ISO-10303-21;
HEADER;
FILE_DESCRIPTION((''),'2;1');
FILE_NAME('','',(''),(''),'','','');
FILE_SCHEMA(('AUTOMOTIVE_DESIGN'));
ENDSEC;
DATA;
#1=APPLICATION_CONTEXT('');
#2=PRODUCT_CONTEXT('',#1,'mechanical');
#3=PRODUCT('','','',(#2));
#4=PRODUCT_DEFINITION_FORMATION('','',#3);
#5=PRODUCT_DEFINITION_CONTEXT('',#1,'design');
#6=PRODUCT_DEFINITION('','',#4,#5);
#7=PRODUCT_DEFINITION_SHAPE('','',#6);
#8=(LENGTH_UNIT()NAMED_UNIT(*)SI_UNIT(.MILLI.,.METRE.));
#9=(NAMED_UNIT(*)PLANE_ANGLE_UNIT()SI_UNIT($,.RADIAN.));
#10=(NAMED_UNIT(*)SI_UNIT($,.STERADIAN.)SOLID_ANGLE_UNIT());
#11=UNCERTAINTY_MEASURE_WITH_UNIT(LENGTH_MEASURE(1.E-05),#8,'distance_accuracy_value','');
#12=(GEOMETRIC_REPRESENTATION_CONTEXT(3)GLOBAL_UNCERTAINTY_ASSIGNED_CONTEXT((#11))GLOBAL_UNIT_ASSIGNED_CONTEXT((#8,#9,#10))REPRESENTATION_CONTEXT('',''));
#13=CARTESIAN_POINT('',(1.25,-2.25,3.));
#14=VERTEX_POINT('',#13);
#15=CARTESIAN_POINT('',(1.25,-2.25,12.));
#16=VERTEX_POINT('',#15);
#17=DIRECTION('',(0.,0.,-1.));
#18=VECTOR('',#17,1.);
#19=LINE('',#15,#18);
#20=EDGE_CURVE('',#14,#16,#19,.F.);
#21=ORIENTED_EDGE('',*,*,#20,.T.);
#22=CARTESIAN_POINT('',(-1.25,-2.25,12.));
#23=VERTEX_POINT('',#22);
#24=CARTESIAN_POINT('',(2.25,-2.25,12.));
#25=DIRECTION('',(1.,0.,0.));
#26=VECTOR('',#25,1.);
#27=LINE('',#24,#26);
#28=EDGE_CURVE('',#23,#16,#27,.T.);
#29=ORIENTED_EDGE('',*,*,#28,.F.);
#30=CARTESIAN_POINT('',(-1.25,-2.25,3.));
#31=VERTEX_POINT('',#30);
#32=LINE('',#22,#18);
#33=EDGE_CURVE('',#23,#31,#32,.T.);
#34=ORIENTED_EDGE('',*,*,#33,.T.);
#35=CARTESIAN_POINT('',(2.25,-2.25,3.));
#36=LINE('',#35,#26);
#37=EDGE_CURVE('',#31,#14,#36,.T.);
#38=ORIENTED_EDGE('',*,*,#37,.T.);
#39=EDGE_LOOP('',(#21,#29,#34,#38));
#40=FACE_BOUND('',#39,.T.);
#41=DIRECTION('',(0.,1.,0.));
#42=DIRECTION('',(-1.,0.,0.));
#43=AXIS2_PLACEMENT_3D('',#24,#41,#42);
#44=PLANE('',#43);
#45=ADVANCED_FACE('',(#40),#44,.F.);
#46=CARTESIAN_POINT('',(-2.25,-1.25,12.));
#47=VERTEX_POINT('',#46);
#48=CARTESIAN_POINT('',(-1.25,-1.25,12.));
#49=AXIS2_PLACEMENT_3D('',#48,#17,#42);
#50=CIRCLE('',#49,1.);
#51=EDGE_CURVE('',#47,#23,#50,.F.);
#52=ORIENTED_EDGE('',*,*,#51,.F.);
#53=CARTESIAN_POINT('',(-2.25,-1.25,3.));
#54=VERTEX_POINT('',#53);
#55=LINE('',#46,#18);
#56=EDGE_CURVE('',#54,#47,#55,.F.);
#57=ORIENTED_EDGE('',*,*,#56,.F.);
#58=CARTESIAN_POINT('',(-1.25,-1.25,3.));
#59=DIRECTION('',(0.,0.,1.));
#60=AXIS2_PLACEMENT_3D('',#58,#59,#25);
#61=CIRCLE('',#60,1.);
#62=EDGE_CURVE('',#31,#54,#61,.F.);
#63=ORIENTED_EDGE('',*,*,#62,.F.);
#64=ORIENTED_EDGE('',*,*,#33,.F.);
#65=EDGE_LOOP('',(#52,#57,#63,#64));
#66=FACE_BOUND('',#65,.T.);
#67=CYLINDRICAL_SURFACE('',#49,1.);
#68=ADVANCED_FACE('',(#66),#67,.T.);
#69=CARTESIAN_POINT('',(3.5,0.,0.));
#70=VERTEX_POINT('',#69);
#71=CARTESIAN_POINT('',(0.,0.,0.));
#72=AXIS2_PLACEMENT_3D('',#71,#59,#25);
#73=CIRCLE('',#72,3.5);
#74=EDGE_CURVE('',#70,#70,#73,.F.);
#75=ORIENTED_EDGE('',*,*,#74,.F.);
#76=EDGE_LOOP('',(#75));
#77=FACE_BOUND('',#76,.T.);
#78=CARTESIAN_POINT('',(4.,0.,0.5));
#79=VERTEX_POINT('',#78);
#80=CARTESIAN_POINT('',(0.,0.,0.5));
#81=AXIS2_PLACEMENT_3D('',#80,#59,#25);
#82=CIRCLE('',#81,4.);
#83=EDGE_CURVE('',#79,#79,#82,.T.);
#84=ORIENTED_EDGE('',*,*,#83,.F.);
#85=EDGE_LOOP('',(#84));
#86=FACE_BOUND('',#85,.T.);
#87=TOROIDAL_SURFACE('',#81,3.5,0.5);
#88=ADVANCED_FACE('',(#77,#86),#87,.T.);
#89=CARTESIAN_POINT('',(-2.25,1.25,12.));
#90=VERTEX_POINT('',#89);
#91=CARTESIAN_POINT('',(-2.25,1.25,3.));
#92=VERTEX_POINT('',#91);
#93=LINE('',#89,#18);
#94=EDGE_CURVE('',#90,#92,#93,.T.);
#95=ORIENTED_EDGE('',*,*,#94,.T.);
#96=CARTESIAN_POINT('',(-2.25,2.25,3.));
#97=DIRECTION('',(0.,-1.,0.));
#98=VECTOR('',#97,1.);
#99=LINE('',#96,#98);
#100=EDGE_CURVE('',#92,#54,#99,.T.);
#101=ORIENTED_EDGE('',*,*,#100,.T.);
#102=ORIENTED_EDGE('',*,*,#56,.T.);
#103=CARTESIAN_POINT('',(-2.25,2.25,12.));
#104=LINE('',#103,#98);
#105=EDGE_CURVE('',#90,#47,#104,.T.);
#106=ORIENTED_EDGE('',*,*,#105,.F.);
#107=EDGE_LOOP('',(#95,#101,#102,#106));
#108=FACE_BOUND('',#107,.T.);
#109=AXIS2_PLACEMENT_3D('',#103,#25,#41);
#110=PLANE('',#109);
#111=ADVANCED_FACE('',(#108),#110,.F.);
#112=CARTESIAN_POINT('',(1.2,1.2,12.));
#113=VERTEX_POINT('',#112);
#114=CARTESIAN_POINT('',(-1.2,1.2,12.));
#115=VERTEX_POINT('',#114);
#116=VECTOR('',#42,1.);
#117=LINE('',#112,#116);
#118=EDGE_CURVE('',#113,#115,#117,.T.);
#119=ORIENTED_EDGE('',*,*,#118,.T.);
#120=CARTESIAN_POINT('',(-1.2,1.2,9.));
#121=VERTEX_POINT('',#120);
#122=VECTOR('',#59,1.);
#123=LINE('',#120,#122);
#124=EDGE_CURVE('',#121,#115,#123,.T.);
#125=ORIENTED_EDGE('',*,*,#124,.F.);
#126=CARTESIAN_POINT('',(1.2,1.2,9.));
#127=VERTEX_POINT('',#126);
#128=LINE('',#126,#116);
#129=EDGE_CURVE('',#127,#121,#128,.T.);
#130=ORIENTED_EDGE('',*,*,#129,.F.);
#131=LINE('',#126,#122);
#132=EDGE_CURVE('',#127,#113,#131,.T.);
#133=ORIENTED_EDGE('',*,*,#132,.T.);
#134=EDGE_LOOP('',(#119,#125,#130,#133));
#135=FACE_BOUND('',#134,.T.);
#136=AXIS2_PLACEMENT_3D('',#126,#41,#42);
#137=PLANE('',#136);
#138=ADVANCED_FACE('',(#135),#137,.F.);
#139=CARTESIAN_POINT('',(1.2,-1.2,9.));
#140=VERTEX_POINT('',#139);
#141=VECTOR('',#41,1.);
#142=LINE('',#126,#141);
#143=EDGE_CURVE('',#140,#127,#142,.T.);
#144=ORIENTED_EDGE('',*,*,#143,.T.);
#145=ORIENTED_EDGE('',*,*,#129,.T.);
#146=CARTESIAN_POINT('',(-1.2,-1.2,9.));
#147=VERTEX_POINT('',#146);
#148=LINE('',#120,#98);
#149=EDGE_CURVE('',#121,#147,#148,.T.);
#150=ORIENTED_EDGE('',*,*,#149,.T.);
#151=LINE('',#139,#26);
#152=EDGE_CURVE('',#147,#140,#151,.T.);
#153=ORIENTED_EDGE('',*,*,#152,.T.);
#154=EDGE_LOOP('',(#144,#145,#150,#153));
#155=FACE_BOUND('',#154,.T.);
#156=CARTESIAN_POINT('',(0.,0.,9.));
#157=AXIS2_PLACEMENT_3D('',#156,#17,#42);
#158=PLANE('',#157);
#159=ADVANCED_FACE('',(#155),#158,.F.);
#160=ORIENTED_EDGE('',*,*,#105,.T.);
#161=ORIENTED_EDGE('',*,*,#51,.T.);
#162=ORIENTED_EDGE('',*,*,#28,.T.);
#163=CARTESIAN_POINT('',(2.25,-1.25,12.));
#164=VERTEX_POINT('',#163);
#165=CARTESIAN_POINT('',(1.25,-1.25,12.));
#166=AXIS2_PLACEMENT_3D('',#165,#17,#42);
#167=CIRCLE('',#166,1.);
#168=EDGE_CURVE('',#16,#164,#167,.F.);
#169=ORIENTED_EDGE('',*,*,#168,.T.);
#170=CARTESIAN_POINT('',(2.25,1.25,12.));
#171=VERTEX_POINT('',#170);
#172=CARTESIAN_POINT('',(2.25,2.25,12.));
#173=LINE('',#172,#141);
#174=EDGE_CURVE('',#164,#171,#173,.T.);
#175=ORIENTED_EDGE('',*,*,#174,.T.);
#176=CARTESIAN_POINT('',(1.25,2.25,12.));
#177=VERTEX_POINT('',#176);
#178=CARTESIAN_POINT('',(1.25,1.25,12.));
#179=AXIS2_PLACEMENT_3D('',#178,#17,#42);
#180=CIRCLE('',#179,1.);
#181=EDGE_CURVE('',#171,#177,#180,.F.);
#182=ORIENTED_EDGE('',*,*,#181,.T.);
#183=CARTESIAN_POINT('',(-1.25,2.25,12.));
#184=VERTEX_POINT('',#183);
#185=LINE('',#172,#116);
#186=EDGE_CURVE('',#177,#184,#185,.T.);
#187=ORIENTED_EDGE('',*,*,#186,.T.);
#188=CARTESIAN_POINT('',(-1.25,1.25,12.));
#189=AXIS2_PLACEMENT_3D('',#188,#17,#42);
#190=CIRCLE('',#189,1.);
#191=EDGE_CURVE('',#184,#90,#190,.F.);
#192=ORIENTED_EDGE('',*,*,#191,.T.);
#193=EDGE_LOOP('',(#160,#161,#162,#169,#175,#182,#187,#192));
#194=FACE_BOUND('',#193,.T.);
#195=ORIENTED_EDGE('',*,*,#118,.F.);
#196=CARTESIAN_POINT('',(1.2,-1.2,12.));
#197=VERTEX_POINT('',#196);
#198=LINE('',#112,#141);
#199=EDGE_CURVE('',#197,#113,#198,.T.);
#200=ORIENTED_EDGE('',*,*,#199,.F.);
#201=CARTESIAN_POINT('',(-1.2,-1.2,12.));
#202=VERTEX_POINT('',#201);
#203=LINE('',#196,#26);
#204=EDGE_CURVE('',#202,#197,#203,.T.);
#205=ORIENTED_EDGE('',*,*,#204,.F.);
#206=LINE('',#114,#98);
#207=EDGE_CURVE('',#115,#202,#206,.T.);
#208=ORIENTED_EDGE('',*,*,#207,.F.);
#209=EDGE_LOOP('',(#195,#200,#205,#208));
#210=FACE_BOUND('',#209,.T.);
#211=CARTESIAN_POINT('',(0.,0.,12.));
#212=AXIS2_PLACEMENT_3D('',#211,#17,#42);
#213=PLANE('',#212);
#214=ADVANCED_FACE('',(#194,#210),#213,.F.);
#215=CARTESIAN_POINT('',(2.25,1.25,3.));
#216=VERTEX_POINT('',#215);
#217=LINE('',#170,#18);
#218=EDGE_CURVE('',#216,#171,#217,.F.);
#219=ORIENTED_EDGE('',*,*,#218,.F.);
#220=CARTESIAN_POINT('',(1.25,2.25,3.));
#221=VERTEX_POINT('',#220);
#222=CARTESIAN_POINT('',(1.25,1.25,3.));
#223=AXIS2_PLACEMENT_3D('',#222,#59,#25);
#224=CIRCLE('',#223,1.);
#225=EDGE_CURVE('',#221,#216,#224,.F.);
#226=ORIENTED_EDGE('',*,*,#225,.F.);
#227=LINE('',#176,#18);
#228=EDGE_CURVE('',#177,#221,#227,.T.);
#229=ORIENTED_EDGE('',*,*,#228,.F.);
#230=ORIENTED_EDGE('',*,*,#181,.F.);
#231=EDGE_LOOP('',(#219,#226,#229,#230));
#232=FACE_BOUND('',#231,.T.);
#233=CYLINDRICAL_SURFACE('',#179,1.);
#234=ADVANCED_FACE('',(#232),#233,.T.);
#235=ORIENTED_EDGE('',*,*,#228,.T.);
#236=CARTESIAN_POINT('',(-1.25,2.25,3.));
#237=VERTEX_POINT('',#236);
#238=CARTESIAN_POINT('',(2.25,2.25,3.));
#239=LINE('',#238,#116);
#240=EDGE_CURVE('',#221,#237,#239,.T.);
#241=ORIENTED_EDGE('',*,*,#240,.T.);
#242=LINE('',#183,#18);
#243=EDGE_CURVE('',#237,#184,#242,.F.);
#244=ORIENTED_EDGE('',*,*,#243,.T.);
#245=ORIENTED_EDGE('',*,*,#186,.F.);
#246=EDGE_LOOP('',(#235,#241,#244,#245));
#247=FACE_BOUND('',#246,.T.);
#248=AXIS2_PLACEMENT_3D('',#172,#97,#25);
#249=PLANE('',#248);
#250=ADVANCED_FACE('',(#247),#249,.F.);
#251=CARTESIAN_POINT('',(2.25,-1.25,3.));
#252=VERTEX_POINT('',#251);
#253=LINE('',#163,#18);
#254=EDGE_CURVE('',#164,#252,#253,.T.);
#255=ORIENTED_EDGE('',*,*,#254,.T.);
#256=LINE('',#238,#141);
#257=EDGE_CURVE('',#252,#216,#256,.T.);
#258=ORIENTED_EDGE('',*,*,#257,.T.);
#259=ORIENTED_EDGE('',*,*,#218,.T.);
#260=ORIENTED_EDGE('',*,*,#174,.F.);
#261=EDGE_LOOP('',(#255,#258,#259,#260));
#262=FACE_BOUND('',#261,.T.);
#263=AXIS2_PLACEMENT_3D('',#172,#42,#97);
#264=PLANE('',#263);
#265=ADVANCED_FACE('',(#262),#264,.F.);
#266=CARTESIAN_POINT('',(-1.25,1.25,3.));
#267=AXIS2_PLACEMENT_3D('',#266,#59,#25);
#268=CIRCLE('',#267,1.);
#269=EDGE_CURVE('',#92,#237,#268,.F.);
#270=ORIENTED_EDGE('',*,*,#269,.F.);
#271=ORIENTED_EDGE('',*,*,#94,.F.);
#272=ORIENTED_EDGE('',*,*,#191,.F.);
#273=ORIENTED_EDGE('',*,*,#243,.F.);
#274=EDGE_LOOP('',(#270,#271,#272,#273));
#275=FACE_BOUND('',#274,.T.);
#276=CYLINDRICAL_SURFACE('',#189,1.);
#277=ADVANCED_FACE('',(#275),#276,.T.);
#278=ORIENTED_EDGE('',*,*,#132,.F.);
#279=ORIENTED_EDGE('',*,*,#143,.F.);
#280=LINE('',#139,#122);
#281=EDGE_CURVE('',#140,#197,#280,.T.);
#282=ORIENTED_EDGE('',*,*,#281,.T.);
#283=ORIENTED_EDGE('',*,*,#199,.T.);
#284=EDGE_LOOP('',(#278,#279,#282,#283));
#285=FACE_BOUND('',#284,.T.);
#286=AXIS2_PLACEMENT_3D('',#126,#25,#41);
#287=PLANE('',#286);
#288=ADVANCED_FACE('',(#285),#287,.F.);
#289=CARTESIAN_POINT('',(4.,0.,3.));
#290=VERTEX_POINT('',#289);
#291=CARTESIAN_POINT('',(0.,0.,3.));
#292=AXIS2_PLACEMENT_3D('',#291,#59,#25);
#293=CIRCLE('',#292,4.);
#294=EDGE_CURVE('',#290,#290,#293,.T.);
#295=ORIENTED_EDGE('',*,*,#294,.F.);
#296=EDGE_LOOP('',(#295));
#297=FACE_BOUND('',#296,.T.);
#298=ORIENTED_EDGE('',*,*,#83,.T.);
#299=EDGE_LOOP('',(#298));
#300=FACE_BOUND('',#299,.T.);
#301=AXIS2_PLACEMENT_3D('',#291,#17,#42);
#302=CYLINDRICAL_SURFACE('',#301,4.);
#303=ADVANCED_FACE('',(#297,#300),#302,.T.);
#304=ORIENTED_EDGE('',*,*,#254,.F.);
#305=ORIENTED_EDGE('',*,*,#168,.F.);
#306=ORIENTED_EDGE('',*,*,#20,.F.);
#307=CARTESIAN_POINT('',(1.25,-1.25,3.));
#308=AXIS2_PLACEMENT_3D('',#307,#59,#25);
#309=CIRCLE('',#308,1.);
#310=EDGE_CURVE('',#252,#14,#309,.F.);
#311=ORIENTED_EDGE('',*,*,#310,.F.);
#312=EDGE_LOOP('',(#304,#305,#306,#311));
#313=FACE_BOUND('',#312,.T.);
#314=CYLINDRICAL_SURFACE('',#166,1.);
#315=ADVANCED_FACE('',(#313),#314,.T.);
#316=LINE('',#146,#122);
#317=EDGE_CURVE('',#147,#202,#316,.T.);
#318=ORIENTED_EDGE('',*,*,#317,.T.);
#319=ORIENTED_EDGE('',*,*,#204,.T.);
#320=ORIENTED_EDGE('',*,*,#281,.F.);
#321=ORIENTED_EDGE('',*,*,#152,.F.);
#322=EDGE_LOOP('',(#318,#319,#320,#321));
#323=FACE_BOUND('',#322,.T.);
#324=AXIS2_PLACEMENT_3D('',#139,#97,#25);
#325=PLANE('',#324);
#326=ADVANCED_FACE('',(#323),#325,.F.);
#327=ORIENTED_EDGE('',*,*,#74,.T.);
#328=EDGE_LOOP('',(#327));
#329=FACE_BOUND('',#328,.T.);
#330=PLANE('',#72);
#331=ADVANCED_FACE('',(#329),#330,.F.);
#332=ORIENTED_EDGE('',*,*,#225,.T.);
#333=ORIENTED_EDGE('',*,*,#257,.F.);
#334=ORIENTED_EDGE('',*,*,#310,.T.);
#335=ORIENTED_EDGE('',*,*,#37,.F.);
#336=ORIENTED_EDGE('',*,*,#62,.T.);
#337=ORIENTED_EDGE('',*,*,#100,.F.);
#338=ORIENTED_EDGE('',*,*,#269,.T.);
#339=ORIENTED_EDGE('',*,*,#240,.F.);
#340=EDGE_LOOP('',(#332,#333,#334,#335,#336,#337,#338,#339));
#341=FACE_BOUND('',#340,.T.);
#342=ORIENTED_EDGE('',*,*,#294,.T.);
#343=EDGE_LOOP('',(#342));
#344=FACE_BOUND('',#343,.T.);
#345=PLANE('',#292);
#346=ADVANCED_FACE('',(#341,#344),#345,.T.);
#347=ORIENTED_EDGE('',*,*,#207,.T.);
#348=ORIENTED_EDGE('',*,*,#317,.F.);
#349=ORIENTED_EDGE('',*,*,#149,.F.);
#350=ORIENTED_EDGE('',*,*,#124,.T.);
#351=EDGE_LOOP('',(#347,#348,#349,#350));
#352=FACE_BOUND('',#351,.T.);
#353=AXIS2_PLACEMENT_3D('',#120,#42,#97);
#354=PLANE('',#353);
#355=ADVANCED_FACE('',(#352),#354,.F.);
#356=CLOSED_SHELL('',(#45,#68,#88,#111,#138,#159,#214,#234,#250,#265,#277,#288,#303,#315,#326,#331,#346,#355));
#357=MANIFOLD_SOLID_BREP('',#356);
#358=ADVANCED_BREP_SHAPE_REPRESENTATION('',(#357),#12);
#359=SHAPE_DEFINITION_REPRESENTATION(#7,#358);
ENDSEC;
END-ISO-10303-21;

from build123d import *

# Parameters (mm, degrees)
ESQUISSE1_R             = 4
BOSS_EXTRU_1_DEPTH      = 3
ESQUISSE2_W             = 4.5
ESQUISSE2_H             = 4.5
BOSS_EXTRU_2_DEPTH      = 9
ESQUISSE3_W             = 2.4
ESQUISSE3_H             = 2.4
ENL_V_MAT_EXTRU_1_DEPTH = 3
CONG_1_R                = 1
CONG_2_R                = 0.5


with BuildPart() as part:
    # Esquisse1 → Boss.-Extru.1 (new body)
    with BuildSketch(Plane.XY):
        Circle(ESQUISSE1_R)
    extrude(amount=BOSS_EXTRU_1_DEPTH)

    # Esquisse2 → Boss.-Extru.2 (add)
    with BuildSketch(Plane.XY.offset(3)):
        Rectangle(ESQUISSE2_W, ESQUISSE2_H)
    extrude(amount=BOSS_EXTRU_2_DEPTH)

    # Esquisse3 → Enlèv. mat.-Extru.1 (cut)
    with BuildSketch(Plane.XY.offset(12)):
        Rectangle(ESQUISSE3_W, ESQUISSE3_H)
    extrude(amount=-ENL_V_MAT_EXTRU_1_DEPTH, mode=Mode.SUBTRACT)

    # Congé1
    cong_1_edges = [part.edges().sort_by_distance(p)[0] for p in [
        (-2.25, 2.25, 7.5),
        (-2.25, -2.25, 7.5),
        (2.25, -2.25, 7.5),
        (2.25, 2.25, 7.5),
    ]]
    fillet(cong_1_edges, radius=CONG_1_R)

    # Congé2
    cong_2_edges = [part.edges().sort_by_distance(p)[0] for p in [
        (-4, 0, 0),
    ]]
    fillet(cong_2_edges, radius=CONG_2_R)


solid = part.part
